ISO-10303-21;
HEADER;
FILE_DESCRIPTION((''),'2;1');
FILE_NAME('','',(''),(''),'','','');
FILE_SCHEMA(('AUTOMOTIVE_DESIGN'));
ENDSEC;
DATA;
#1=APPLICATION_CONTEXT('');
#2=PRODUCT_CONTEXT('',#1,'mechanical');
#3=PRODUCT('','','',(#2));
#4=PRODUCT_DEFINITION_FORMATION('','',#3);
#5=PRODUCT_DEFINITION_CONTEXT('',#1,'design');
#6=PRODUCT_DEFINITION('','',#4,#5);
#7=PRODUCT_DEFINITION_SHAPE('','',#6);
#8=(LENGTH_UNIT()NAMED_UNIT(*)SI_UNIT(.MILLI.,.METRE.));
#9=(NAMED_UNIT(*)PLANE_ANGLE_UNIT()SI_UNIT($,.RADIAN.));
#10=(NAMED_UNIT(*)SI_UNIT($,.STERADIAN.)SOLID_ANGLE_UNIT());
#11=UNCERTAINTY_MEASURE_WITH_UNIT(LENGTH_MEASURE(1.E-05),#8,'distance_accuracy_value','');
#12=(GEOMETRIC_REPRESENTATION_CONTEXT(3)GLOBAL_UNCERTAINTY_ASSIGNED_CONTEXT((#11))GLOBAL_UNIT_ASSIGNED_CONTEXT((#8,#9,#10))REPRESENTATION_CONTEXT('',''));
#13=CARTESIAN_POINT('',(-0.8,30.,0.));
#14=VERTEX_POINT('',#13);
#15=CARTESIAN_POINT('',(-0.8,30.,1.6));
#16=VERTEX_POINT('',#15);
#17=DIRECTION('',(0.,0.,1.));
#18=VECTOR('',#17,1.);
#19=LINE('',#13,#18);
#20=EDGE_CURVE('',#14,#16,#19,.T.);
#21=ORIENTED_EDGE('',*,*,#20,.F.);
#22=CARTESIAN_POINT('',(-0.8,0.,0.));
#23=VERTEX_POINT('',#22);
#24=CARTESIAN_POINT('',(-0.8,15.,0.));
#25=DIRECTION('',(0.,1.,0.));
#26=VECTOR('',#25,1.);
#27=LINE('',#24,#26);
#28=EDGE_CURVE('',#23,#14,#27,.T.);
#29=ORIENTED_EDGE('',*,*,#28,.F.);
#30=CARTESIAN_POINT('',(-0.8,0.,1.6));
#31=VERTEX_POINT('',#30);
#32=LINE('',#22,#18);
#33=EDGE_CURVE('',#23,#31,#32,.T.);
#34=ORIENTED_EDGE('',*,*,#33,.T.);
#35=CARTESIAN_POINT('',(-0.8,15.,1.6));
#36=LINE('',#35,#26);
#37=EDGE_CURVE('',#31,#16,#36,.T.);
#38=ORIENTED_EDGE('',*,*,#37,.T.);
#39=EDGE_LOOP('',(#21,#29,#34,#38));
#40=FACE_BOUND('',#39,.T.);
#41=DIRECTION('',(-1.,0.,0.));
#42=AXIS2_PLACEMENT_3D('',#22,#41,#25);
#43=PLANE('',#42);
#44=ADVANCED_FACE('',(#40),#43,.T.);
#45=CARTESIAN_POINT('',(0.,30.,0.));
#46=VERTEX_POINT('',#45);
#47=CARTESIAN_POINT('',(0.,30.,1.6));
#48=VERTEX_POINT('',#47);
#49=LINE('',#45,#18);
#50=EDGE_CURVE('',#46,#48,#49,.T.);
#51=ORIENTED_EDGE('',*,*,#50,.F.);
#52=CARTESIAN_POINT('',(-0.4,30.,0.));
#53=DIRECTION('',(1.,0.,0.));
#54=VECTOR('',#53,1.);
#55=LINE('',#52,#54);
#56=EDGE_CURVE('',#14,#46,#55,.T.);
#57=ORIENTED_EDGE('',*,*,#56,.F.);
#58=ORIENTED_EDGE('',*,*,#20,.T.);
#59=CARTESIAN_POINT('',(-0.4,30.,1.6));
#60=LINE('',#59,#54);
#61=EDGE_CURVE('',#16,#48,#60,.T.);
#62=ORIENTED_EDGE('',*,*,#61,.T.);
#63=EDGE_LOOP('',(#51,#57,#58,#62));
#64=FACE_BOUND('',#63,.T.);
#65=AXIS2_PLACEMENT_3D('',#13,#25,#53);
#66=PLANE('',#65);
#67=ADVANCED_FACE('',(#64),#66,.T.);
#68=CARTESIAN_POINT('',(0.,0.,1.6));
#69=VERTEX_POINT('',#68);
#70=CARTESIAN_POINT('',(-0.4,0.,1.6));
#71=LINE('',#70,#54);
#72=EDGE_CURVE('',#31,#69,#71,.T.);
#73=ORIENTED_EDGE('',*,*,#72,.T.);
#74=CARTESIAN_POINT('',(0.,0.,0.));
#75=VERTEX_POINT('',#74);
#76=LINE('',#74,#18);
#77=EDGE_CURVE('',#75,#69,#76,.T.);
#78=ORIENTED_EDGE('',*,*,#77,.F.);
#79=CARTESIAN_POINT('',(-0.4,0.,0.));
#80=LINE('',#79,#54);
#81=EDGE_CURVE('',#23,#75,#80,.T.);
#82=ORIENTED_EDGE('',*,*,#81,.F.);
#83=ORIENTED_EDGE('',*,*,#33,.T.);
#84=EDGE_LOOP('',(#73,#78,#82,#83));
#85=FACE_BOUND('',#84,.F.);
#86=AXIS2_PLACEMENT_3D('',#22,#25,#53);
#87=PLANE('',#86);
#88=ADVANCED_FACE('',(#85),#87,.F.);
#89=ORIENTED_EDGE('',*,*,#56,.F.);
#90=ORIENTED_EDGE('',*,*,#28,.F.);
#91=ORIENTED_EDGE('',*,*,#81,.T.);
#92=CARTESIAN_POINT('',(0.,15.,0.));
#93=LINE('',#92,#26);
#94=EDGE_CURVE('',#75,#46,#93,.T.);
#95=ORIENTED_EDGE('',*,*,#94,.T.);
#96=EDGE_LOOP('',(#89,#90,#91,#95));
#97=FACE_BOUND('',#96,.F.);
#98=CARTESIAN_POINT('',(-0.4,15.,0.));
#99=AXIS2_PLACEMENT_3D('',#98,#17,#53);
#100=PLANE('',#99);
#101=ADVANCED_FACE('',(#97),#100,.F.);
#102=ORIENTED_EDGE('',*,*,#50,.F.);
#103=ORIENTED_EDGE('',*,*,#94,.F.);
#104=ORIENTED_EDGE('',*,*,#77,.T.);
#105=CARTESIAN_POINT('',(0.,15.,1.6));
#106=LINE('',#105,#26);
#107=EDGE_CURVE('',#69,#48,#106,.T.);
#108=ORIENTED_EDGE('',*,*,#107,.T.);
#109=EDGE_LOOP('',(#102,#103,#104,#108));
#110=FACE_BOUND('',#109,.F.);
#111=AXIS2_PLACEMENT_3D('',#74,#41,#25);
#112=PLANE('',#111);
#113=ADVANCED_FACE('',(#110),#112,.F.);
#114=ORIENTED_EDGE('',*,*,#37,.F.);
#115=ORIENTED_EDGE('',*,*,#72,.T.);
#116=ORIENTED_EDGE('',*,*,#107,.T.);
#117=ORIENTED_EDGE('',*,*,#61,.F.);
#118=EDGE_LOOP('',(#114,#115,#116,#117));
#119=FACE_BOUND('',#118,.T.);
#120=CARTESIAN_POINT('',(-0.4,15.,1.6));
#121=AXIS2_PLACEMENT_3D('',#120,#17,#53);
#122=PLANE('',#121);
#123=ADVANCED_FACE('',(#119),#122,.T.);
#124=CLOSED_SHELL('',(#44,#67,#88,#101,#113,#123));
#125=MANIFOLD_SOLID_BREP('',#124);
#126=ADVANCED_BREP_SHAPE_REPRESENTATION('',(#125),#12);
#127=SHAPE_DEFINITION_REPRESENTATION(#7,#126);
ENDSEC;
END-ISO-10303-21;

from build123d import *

# Parameters (mm, degrees)
SKETCH1_W           = 0.8
SKETCH1_H           = 30
BOSS_EXTRUDE1_DEPTH = 1.6


with BuildPart() as part:
    # Sketch1 → Boss-Extrude1 (new body)
    with BuildSketch(Plane.XY):
        with Locations((-0.4, 15)):
            Rectangle(SKETCH1_W, SKETCH1_H)
    extrude(amount=BOSS_EXTRUDE1_DEPTH)


solid = part.part
